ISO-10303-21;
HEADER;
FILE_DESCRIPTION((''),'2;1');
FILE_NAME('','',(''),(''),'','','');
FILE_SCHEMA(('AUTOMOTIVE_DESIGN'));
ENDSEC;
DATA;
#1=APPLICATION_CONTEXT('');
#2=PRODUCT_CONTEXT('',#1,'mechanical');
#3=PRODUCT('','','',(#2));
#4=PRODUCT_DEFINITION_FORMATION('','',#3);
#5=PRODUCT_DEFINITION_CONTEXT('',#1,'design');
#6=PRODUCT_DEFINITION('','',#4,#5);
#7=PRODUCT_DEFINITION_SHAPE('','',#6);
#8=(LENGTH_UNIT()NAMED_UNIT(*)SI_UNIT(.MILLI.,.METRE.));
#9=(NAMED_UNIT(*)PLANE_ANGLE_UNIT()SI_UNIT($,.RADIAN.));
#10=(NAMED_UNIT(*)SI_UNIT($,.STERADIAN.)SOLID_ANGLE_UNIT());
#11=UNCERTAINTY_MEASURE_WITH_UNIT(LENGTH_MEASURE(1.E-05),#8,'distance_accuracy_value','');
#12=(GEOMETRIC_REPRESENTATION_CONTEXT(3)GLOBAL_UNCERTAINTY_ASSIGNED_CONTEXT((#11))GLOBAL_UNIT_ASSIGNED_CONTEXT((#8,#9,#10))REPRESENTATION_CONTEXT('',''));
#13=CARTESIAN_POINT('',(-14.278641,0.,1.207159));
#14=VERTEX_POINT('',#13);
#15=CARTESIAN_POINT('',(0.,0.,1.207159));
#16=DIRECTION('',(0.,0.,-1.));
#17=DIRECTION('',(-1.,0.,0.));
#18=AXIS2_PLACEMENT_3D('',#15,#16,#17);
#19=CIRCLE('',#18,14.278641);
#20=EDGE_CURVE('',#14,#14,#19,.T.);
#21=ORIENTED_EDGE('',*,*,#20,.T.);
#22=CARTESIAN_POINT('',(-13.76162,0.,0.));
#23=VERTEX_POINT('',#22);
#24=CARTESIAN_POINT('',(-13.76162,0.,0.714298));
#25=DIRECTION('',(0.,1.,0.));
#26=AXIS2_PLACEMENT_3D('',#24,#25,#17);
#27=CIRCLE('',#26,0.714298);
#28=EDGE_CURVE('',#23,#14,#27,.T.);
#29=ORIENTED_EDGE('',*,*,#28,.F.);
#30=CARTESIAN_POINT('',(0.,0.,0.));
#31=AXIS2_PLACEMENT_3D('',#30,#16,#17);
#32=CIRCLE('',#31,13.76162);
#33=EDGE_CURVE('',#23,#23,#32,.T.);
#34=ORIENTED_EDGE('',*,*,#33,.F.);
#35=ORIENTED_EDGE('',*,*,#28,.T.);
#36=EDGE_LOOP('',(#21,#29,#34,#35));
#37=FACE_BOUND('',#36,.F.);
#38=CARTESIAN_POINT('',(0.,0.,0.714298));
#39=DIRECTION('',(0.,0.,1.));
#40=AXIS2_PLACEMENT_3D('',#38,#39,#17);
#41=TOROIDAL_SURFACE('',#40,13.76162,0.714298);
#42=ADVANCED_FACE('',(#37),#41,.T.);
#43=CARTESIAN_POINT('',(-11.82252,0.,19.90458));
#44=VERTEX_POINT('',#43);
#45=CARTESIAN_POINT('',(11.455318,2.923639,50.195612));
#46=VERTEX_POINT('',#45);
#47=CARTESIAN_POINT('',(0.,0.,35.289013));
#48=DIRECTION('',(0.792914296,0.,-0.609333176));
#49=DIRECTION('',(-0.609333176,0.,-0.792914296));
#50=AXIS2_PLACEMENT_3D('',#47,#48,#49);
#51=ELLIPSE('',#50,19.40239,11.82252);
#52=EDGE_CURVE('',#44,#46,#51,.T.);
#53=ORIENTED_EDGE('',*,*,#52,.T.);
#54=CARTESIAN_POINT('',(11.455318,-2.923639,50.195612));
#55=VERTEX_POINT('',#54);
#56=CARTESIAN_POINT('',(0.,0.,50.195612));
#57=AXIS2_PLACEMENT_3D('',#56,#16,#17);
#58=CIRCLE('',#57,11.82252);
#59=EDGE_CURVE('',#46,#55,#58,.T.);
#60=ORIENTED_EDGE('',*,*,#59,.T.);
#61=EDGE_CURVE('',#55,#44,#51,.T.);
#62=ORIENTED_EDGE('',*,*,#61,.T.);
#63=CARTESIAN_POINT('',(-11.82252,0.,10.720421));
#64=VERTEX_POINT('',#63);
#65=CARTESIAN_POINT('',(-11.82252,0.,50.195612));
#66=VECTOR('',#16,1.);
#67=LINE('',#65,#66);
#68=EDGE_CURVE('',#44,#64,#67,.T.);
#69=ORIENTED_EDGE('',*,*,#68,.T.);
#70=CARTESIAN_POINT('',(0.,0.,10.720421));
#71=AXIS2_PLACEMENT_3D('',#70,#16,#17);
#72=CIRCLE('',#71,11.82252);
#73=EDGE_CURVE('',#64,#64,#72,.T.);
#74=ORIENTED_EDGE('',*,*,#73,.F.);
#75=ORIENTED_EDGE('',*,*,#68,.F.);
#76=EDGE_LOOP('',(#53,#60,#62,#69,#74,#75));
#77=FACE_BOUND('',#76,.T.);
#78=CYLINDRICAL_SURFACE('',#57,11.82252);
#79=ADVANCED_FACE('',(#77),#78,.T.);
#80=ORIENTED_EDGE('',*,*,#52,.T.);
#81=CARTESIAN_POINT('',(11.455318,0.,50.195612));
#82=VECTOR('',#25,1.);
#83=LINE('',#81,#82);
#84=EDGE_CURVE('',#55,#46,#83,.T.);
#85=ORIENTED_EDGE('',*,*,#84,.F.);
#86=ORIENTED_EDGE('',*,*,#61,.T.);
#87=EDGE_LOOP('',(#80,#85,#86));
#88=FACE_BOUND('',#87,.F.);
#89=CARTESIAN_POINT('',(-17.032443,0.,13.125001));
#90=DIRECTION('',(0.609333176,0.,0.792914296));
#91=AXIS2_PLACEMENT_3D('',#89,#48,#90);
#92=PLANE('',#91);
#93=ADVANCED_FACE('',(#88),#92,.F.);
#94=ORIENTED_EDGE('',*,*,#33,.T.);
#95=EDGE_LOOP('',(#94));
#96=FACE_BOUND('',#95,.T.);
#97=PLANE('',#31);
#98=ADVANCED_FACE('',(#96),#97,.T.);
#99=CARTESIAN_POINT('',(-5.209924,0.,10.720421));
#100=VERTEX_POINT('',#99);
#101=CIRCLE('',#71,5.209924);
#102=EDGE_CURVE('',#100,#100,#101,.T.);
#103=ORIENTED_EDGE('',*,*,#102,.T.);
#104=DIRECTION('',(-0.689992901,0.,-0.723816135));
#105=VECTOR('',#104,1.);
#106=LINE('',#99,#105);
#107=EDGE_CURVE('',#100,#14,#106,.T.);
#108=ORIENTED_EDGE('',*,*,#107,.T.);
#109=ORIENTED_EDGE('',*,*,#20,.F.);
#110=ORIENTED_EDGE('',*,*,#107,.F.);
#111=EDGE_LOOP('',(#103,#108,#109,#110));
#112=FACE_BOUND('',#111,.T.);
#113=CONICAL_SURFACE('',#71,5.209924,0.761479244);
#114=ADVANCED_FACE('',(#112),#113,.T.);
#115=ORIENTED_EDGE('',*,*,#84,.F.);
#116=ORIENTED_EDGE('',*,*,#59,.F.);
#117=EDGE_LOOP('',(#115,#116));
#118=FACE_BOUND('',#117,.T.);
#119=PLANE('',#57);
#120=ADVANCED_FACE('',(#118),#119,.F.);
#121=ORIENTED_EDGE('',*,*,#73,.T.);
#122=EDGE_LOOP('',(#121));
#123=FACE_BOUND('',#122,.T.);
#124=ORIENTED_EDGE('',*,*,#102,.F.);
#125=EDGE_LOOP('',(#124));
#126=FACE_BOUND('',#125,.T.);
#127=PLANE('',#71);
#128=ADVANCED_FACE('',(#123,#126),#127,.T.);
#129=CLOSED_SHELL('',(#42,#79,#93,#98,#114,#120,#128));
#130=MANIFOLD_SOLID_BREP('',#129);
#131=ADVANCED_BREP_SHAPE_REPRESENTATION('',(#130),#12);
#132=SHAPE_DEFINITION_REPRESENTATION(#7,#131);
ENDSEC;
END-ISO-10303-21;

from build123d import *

# Parameters (mm, degrees)
F3_DEPTH = 18.7
F4_R     = 0.714298


with BuildPart() as f1:
    # F0 (on Front) → F1 (revolve)
    with BuildSketch(Plane.XZ):
        Polygon((-15.42939, 0), (0, 0), (0, 50.195612), (-11.82252, 50.195612), (-11.82252, 10.720421), (-5.209924, 10.720421), align=None)
    revolve(axis=Axis((0, 0, 25.097806), (0, 0, -1)))

    # F2 (on Front) → F3 (cut, symmetric)
    with BuildSketch(Plane.XZ):
        Polygon((-17.032443, 13.125001), (14.227101, 53.802483), (-17.032443, 55.806302), align=None)
    extrude(amount=F3_DEPTH, both=True, mode=Mode.SUBTRACT)

    # F4
    f4_edges = [f1.edges().sort_by_distance(p)[0] for p in [
        (15.42939, 0, 0),
    ]]
    fillet(f4_edges, radius=F4_R)


solid = f1.part
